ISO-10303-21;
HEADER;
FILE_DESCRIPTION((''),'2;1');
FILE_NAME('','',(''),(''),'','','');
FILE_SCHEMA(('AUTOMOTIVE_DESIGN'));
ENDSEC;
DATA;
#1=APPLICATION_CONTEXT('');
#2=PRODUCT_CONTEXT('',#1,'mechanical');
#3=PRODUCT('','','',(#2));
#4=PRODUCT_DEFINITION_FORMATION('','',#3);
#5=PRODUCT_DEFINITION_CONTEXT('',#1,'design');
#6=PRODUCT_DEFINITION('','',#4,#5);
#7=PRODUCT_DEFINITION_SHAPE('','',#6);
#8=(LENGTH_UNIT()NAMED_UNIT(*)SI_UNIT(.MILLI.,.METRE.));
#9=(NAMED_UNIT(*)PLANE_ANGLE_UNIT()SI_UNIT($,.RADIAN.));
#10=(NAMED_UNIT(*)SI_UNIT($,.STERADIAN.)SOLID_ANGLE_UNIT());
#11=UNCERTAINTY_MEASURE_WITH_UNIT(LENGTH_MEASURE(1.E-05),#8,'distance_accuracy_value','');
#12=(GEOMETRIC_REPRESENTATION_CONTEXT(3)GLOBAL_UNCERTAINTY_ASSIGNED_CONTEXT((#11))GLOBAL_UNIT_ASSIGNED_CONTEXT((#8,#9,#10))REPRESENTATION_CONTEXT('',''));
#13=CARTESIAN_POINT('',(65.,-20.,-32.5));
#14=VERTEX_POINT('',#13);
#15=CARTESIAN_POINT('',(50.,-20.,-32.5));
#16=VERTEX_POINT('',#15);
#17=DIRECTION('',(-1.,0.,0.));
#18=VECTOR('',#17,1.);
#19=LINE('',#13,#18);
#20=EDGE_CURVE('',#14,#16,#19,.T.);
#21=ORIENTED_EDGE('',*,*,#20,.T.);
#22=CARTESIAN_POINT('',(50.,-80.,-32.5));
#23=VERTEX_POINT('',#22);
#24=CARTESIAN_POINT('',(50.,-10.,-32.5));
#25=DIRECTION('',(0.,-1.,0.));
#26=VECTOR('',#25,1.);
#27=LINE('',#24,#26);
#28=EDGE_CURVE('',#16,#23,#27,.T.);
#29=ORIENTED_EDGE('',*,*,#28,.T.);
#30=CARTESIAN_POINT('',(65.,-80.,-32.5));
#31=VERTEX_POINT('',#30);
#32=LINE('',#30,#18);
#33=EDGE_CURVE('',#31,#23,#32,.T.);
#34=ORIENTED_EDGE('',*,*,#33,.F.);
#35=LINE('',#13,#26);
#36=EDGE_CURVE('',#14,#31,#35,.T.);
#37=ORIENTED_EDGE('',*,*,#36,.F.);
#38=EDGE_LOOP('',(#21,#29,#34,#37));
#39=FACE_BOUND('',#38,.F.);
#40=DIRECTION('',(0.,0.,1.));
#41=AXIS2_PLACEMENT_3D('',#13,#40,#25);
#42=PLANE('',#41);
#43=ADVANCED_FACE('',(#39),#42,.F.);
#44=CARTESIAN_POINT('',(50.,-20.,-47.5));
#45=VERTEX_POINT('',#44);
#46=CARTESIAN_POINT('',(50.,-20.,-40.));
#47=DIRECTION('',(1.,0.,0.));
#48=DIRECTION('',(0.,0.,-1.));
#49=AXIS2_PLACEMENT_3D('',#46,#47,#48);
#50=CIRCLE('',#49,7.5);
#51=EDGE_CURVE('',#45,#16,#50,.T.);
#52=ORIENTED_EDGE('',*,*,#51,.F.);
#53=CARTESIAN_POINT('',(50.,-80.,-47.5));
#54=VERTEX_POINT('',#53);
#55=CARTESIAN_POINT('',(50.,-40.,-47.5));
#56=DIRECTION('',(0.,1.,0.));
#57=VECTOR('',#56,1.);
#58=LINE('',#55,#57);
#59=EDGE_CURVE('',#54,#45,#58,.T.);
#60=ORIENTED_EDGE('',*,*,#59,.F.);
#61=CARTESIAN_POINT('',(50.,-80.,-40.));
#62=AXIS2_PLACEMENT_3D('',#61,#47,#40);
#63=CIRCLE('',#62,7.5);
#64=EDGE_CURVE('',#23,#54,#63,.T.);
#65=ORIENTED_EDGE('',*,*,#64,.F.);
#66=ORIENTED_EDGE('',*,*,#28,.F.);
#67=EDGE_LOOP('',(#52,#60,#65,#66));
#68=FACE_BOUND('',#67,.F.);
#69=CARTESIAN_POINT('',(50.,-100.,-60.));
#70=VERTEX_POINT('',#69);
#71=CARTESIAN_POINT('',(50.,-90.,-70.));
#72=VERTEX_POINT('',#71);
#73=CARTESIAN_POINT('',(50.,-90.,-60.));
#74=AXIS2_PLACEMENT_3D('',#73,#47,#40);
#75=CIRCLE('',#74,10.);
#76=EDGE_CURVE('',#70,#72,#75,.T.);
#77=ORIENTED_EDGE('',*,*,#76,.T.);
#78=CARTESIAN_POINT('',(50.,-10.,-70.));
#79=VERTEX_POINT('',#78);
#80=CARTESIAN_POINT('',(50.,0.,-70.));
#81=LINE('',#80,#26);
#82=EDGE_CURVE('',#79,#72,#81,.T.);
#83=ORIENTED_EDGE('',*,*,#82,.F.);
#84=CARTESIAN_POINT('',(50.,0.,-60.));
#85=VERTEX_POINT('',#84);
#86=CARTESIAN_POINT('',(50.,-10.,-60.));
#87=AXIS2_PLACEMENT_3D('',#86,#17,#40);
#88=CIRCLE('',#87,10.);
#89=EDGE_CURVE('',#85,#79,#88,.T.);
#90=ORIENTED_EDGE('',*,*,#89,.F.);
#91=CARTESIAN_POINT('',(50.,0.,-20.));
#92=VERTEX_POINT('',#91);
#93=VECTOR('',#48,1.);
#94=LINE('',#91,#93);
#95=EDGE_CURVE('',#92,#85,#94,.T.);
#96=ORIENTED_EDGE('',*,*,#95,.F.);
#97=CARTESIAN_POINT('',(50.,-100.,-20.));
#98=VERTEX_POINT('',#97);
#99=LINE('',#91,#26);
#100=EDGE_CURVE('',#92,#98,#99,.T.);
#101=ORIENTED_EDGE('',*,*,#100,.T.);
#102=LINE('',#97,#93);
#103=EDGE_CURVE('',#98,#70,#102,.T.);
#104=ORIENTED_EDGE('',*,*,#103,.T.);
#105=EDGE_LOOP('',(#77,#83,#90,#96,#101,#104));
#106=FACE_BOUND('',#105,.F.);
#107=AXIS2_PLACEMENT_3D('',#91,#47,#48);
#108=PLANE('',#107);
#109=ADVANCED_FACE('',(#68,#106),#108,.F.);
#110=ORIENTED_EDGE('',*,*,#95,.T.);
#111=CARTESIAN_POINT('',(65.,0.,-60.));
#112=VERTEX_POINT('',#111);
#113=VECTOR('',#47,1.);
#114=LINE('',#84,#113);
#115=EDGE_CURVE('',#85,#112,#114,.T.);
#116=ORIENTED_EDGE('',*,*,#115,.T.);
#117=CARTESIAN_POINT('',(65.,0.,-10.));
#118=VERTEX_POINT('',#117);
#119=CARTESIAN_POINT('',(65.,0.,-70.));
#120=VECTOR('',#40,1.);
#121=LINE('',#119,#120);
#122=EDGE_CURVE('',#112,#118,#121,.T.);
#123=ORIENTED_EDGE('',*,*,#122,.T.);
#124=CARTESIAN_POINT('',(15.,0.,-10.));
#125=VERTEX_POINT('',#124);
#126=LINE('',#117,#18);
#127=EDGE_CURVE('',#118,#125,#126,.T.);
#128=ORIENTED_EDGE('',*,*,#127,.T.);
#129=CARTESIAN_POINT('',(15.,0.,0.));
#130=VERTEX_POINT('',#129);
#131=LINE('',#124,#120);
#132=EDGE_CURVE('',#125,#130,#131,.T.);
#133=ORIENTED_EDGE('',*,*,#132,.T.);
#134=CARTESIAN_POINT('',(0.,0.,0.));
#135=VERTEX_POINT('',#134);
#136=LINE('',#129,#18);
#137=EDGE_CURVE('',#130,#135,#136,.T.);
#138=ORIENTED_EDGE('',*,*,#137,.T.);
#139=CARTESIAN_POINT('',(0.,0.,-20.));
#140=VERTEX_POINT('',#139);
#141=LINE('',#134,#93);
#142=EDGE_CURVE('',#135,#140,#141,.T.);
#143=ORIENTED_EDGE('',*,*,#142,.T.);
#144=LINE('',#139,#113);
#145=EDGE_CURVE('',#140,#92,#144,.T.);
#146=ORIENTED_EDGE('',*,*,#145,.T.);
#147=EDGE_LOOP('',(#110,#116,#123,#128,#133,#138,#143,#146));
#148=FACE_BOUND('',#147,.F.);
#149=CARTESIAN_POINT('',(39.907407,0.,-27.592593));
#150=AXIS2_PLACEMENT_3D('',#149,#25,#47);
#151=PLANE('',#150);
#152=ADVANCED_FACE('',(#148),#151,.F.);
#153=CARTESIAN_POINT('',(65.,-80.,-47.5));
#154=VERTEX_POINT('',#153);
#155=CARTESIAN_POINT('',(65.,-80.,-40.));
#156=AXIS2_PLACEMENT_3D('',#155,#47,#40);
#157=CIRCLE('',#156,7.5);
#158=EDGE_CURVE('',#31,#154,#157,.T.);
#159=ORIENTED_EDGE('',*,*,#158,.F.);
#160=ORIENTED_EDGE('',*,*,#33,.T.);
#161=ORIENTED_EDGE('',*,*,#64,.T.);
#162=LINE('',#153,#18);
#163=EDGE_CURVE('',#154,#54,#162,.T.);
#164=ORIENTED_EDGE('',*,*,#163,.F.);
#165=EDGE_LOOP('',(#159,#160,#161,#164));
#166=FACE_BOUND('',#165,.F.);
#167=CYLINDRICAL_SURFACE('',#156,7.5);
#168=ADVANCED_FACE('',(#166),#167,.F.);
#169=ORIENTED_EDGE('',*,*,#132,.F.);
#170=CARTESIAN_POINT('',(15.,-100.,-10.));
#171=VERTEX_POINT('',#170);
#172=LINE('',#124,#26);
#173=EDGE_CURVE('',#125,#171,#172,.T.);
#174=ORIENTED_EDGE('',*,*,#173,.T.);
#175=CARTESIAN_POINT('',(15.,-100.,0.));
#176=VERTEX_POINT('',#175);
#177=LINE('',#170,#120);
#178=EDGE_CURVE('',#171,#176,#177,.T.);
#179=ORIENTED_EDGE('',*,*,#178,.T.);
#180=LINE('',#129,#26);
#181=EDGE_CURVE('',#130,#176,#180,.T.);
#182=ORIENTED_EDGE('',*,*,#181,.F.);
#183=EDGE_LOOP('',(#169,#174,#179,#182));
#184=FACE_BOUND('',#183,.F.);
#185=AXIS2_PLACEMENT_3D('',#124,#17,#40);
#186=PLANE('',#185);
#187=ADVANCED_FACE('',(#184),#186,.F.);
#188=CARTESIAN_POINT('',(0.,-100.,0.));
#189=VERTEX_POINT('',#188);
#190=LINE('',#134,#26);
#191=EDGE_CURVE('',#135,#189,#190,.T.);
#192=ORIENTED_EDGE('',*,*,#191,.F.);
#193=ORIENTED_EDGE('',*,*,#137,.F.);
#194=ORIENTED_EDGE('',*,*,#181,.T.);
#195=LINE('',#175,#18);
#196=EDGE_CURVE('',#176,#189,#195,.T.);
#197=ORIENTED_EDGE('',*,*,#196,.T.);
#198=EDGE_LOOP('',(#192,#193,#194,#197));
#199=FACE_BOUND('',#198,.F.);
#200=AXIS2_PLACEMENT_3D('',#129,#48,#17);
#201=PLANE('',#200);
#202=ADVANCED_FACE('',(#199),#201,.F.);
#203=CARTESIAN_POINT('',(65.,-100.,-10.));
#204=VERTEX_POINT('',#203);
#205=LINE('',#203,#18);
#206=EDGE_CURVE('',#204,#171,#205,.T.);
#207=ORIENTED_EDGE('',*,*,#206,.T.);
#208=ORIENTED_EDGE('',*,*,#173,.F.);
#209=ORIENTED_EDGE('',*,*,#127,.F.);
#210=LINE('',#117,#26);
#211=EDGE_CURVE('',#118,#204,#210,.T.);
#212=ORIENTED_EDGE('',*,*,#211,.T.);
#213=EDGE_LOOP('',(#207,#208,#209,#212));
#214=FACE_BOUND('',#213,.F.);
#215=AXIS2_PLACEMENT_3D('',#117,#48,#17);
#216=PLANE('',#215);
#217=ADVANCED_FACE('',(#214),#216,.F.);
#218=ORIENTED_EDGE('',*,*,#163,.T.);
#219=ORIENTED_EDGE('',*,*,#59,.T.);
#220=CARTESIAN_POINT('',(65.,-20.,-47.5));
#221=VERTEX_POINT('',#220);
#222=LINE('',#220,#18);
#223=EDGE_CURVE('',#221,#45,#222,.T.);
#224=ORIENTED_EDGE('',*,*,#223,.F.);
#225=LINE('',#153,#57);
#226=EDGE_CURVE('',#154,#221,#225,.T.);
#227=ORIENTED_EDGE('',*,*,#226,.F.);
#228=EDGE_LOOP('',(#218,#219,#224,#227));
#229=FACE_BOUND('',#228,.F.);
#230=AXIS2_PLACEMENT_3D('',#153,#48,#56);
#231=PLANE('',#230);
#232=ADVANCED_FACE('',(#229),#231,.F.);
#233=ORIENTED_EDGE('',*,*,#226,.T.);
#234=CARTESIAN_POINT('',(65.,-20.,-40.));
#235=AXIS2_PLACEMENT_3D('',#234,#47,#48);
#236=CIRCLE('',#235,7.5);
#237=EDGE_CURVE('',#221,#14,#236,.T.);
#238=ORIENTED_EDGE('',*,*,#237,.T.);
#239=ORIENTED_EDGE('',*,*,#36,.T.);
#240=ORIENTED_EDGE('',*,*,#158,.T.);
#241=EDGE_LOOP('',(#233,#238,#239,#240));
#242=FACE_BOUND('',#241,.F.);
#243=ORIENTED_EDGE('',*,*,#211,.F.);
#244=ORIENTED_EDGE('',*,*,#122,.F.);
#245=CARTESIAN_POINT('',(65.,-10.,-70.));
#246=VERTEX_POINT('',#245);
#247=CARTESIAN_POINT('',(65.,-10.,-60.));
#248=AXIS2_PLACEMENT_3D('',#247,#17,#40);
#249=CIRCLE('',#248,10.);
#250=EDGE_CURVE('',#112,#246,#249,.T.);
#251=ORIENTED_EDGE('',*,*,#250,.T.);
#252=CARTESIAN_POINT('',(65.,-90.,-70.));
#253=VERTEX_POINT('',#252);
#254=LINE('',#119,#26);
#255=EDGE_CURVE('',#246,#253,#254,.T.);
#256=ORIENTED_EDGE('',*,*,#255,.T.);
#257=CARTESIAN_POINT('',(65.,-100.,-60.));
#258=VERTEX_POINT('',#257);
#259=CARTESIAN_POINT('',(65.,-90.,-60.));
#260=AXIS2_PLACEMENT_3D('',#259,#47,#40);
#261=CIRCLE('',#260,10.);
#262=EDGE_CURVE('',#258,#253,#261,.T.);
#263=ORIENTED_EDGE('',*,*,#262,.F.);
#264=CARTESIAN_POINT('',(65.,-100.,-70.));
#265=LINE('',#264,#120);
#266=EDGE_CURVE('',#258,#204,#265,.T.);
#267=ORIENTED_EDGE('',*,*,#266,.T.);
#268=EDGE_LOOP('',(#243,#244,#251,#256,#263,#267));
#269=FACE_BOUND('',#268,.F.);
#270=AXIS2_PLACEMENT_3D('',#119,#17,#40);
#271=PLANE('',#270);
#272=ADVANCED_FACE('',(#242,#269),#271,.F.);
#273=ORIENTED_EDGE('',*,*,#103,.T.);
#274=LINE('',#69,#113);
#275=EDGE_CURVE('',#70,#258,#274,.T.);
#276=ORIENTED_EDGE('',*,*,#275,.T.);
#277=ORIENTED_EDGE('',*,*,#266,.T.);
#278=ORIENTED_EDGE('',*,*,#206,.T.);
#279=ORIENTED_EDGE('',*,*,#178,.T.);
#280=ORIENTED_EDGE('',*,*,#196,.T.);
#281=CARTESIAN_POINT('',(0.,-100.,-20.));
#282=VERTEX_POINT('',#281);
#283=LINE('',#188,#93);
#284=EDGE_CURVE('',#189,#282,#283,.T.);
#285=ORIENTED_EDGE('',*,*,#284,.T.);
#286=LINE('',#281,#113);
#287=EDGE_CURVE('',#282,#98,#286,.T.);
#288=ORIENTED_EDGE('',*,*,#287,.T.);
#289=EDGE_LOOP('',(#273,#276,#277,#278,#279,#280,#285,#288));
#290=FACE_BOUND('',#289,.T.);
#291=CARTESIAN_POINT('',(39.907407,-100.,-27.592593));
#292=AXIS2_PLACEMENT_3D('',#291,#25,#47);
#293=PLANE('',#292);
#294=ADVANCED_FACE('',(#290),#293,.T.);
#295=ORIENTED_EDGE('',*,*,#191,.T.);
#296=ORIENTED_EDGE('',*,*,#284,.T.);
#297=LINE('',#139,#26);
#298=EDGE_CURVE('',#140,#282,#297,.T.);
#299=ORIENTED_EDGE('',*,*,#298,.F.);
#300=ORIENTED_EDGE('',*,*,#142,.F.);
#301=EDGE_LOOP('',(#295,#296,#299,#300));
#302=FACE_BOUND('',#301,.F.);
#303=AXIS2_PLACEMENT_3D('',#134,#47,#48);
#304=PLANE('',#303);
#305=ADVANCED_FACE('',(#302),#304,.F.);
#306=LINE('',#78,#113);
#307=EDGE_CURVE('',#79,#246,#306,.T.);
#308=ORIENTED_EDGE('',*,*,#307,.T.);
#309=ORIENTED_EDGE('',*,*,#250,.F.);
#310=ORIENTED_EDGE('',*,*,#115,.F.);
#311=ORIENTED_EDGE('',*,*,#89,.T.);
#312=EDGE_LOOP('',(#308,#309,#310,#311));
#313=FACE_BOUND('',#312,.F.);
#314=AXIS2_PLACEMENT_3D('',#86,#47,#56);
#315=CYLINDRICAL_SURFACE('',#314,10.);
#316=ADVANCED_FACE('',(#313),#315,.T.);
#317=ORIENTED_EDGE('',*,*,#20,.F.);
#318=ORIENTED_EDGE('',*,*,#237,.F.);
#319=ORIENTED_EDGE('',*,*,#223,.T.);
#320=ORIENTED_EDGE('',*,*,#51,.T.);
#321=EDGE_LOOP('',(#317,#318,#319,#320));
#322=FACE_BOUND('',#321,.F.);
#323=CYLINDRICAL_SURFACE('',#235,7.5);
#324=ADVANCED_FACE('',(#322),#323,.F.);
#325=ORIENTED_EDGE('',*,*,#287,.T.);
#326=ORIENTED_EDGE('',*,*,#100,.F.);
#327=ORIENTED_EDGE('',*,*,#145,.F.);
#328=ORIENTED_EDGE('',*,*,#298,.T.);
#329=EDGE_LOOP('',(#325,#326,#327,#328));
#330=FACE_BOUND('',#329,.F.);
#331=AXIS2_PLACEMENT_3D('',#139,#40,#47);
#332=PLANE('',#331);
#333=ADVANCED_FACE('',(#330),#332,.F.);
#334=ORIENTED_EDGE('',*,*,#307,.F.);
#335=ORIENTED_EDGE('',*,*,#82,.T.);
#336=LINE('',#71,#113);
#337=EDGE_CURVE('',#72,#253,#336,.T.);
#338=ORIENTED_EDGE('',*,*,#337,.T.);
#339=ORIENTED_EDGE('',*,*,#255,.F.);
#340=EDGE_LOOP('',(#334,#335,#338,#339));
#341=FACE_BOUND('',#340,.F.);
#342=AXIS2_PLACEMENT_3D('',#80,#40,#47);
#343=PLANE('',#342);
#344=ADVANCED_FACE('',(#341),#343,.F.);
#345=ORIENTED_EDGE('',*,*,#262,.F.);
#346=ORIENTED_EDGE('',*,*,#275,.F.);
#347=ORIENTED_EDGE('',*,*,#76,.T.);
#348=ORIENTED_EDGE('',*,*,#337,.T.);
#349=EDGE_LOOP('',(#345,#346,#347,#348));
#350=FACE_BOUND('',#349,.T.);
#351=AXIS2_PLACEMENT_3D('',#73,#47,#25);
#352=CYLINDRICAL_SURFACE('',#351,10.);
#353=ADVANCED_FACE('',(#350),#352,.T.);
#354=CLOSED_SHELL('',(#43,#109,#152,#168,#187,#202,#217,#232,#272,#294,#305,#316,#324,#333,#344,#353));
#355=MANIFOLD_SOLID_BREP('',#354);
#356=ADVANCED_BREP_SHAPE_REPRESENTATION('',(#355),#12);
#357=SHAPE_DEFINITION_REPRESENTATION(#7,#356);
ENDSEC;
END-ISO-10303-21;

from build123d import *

# Parameters (mm, degrees)
F1_DEPTH = 100
F3_DEPTH = 25
F4_R     = 10


with BuildPart() as f1:
    # F0 (on Front) → F1 (new body)
    with BuildSketch(Plane.XZ):
        Polygon((15, 0), (0, 0), (0, -20), (50, -20), (50, -70), (65, -70), (65, -10), (15, -10), align=None)
    extrude(amount=F1_DEPTH)

    # F2 (on face) → F3 (cut)
    with BuildSketch(Plane.YZ.offset(65)):
        with BuildLine():
            Line((-20, -32.5), (-80, -32.5))
            ThreePointArc((-80, -32.5), (-87.5, -40), (-80, -47.5))
            Line((-80, -47.5), (-20, -47.5))
            ThreePointArc((-20, -47.5), (-12.5, -40), (-20, -32.5))
        make_face()
    extrude(amount=-F3_DEPTH, mode=Mode.SUBTRACT)

    # F4
    f4_edges = [f1.edges().sort_by_distance(p)[0] for p in [
        (57.5, -100, -70),
        (57.5, 0, -70),
    ]]
    fillet(f4_edges, radius=F4_R)


solid = f1.part
